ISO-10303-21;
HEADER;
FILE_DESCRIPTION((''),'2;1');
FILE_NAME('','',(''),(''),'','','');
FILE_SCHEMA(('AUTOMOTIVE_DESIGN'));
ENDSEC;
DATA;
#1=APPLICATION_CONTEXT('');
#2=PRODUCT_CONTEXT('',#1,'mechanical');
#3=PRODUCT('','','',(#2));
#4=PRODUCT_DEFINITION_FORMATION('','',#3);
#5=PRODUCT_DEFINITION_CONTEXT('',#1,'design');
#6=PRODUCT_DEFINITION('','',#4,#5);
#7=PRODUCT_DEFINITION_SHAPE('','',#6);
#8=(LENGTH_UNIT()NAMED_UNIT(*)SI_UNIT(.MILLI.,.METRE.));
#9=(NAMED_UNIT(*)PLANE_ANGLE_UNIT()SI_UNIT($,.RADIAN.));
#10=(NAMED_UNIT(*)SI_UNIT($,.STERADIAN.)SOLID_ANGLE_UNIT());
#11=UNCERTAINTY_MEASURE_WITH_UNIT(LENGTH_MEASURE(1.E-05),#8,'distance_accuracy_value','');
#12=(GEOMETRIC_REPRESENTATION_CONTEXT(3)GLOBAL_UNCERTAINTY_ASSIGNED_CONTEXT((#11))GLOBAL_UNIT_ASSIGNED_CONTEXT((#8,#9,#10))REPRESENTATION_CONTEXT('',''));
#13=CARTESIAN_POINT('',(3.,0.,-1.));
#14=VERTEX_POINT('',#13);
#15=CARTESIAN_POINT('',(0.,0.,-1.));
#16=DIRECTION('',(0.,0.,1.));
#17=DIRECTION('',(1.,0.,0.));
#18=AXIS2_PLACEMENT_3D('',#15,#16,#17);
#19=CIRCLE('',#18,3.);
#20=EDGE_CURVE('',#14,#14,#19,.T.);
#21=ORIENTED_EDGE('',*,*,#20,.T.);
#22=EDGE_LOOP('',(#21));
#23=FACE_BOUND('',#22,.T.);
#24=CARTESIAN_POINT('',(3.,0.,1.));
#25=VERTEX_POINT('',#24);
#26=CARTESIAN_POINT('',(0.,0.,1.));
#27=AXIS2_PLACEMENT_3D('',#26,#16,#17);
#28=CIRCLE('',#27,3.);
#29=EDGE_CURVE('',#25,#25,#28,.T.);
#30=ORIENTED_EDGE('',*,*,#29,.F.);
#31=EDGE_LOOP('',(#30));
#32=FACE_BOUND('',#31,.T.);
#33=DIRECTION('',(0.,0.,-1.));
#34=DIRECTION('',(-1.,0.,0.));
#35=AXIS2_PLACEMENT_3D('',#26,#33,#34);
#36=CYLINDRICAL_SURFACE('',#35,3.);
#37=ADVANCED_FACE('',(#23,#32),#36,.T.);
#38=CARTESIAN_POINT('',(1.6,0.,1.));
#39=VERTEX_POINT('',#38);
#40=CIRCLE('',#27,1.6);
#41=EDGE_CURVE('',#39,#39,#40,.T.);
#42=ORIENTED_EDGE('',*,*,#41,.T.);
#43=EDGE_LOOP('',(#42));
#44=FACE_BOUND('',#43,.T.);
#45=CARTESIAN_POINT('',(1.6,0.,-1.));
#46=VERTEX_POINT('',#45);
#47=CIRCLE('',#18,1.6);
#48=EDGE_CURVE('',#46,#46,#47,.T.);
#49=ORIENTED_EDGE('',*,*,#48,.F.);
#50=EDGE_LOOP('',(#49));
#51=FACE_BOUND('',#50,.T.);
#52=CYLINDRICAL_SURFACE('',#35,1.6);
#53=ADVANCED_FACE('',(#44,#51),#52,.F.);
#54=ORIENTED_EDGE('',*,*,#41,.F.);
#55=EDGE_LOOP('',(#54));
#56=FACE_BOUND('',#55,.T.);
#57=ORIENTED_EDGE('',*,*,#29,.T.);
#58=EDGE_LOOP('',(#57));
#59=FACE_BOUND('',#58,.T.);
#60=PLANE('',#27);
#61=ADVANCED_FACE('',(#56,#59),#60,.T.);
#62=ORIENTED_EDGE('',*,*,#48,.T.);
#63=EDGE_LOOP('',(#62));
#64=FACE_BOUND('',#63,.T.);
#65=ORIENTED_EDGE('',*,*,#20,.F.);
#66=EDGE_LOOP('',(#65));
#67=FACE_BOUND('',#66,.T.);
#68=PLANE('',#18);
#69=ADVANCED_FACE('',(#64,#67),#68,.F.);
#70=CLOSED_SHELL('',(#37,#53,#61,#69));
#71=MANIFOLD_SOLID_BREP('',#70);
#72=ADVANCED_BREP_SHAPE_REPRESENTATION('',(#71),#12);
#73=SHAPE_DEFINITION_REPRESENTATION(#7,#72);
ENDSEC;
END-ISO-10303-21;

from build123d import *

# Parameters (mm, degrees)
SKETCH1_R           = 3
SKETCH1_R_2         = 1.6
EXTRUDE1_DEPTH      = 1
EXTRUDE1_DEPTH_BACK = 1


with BuildPart() as part:
    # Sketch1 → Extrude1 (new body, two sides)
    with BuildSketch(Plane.XY) as extrude1_sk:
        Circle(SKETCH1_R)
        Circle(SKETCH1_R_2, mode=Mode.SUBTRACT)
    extrude(amount=EXTRUDE1_DEPTH)
    extrude(extrude1_sk.sketch, amount=-EXTRUDE1_DEPTH_BACK)


solid = part.part
